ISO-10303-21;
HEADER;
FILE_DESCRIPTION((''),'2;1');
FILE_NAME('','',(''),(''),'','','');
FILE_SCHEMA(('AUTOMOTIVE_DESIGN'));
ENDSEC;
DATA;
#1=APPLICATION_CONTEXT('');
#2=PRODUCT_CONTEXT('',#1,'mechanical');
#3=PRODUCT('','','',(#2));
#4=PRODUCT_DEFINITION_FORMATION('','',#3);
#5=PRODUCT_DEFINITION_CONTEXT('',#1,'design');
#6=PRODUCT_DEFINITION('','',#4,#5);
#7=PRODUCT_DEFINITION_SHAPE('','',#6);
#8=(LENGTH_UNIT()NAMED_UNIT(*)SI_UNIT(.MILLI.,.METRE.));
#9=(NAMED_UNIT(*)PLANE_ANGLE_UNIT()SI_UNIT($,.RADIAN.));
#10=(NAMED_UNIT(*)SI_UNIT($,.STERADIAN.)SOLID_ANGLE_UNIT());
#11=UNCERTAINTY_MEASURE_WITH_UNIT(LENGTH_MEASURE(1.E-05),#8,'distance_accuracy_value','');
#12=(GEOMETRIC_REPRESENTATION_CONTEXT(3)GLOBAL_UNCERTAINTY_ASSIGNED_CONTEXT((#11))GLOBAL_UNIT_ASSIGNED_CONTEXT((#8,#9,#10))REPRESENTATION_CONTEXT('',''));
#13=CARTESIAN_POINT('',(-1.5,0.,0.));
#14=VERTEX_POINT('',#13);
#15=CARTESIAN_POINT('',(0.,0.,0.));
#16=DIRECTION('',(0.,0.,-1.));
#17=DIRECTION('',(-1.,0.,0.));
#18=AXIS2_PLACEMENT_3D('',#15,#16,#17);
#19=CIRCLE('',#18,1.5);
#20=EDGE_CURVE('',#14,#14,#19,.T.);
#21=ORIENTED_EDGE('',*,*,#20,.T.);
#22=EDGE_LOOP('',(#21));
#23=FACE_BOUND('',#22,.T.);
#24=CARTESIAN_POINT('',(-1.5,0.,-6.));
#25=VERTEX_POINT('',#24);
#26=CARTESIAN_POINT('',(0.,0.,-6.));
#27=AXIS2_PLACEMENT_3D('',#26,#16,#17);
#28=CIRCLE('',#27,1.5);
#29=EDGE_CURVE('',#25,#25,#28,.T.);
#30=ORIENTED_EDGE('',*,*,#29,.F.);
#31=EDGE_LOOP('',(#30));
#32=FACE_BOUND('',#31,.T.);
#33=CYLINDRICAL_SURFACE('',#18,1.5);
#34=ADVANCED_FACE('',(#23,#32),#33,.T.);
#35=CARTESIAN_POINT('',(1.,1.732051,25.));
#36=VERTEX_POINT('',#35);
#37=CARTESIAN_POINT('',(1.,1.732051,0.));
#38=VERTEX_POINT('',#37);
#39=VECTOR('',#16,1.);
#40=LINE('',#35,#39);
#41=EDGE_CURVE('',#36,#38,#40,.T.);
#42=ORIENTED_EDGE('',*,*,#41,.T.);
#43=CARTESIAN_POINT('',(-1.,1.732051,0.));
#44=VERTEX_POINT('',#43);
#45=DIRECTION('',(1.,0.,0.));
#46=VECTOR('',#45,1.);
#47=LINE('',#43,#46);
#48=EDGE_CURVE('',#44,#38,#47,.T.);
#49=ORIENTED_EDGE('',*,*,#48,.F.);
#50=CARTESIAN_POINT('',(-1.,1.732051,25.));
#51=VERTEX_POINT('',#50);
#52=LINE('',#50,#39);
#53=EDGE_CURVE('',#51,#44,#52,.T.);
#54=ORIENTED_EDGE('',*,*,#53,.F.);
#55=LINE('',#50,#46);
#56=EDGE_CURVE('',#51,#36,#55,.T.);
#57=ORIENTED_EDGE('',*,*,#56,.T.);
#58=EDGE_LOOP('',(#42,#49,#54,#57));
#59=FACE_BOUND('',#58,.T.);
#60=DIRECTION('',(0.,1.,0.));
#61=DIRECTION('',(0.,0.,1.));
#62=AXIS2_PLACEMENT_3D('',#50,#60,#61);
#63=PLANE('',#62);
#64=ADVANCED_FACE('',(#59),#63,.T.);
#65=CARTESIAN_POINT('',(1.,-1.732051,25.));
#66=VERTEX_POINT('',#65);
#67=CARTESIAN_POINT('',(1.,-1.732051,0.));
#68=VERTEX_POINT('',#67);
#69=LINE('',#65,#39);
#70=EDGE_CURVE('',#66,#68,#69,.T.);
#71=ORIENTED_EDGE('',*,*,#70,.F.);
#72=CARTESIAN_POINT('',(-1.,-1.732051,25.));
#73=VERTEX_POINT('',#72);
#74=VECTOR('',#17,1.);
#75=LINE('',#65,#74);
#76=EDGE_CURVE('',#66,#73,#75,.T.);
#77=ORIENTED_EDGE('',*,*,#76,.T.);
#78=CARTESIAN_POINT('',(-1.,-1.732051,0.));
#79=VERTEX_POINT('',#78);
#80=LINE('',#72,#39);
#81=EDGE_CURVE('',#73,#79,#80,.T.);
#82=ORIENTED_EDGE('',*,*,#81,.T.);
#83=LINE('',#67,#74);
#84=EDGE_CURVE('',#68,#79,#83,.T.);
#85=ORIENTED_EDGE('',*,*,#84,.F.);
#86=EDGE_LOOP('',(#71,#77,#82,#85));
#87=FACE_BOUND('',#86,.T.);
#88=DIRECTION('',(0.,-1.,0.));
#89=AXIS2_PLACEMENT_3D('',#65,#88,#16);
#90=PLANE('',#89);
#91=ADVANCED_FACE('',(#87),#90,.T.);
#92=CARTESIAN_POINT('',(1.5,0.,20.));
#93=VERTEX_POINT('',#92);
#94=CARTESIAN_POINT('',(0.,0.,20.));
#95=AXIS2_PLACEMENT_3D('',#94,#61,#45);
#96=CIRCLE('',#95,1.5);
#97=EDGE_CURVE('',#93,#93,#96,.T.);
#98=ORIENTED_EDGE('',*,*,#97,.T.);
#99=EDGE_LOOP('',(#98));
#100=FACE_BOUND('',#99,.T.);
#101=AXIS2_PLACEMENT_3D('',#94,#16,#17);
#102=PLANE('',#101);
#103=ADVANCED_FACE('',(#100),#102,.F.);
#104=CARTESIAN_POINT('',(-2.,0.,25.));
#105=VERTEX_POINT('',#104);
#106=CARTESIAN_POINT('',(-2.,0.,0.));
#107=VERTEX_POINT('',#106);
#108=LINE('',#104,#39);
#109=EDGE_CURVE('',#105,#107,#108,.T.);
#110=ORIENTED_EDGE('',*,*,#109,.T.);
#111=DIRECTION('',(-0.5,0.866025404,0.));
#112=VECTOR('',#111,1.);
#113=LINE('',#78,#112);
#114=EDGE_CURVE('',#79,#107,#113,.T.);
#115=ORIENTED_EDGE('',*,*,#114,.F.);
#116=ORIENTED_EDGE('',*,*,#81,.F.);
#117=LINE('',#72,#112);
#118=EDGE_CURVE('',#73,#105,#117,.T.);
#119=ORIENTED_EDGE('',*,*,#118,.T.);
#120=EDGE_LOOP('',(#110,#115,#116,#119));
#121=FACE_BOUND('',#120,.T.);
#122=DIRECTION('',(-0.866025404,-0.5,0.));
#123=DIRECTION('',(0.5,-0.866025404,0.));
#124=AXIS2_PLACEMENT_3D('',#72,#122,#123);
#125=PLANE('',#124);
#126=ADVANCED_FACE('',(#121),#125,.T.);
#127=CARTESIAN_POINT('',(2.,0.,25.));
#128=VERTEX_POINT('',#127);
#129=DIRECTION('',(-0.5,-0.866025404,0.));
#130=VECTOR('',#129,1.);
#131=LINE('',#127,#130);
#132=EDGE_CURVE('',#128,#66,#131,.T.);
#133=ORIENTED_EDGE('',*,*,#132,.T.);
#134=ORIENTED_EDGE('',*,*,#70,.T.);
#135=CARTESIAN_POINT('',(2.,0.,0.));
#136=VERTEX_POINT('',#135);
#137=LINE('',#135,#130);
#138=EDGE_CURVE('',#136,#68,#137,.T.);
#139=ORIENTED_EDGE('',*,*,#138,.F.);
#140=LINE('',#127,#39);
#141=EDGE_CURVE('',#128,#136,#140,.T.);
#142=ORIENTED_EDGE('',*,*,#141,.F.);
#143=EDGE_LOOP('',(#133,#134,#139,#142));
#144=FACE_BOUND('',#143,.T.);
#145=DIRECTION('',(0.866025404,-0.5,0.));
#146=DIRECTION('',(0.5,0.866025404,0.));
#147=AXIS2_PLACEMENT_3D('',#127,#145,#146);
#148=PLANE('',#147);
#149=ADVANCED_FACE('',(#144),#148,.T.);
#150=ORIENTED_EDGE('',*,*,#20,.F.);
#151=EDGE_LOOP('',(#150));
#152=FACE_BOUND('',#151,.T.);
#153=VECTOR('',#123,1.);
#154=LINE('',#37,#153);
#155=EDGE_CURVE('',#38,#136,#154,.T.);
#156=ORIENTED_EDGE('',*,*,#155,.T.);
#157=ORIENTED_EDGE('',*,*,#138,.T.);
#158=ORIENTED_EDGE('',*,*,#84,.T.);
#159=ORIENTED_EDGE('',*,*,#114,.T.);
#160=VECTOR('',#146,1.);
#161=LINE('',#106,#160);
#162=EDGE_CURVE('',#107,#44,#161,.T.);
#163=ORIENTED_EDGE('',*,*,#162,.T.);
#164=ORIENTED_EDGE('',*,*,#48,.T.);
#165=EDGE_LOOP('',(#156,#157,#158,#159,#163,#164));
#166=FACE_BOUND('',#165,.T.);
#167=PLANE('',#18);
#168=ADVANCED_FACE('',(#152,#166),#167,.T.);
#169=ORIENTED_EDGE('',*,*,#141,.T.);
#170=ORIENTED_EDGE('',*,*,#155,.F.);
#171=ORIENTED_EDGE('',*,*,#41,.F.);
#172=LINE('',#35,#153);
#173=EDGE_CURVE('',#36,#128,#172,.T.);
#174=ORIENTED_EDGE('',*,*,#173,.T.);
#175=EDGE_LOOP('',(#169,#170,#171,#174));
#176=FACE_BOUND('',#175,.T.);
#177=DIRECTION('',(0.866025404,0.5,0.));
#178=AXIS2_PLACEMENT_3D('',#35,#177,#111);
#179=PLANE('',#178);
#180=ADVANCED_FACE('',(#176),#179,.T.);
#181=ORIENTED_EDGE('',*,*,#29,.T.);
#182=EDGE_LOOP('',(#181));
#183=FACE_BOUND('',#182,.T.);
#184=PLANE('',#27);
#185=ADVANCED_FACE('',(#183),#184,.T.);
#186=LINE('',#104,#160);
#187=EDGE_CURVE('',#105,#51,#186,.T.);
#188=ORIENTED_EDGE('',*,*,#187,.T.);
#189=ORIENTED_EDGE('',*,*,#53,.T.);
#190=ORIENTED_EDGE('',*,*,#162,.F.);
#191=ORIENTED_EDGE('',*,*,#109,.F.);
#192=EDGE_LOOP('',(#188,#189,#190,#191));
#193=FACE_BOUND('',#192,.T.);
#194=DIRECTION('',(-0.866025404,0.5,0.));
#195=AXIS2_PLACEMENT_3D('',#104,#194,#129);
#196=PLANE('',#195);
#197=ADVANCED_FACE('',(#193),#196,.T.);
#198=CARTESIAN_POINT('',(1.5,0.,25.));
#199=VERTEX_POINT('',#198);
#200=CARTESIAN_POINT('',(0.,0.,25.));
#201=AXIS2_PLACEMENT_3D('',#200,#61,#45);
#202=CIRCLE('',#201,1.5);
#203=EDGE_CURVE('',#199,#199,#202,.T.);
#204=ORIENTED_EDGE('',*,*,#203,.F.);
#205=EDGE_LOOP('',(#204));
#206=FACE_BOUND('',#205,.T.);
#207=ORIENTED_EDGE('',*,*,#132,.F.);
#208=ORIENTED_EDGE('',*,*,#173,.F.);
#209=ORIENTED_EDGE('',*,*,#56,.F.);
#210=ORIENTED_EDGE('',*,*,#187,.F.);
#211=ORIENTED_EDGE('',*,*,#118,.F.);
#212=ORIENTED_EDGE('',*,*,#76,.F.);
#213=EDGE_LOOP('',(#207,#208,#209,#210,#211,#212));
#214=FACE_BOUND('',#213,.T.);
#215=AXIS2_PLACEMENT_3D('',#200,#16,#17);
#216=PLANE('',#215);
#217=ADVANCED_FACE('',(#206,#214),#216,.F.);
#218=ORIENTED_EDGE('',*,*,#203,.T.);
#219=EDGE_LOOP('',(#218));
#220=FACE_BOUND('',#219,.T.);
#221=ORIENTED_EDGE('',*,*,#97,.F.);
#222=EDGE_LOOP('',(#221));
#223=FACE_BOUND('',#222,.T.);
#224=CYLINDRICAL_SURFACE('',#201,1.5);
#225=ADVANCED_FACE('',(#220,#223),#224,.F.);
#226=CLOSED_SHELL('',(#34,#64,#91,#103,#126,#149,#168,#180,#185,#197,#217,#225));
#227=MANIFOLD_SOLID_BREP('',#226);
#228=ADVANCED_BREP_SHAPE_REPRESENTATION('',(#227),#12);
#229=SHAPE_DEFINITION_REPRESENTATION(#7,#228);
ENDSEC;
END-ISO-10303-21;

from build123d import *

# Parameters (mm, degrees)
EXTRUDE_1_DEPTH           = 25
SKETCH_2_W                = 1.5
SKETCH_2_H                = 6
HOLE_WIZARD_3_0_3_1_D     = 3
HOLE_WIZARD_3_0_3_1_DEPTH = 5


with BuildPart() as part:
    # 草图1 → 凸台-拉伸1 (new body)
    with BuildSketch(Plane(origin=(0, 0, 0), x_dir=(-1, 0, 0), z_dir=(0, 0, -1))):
        Polygon((1, -1.732050808), (2, 0), (1, 1.732050808), (-1, 1.732050808), (-2, 0), (-1, -1.732050808), align=None)
    extrude(amount=-EXTRUDE_1_DEPTH)

    # 草图2 → 旋转1 (revolve)
    with BuildSketch(Plane.XZ, mode=Mode.PRIVATE) as revolve_1_sk:
        with Locations((0.75, -3)):
            Rectangle(SKETCH_2_W, SKETCH_2_H)
    revolve(revolve_1_sk.sketch.rotate(Axis((0, 0, 0), (0, 0, -1)), 180), axis=Axis((0, 0, 0), (0, 0, -1)))

    # Ø3.0 (3) 直径孔1
    with Locations(Plane.XY.offset(25)):
        with Locations((0, 0)):
            Hole(HOLE_WIZARD_3_0_3_1_D / 2, depth=HOLE_WIZARD_3_0_3_1_DEPTH)


solid = part.part
